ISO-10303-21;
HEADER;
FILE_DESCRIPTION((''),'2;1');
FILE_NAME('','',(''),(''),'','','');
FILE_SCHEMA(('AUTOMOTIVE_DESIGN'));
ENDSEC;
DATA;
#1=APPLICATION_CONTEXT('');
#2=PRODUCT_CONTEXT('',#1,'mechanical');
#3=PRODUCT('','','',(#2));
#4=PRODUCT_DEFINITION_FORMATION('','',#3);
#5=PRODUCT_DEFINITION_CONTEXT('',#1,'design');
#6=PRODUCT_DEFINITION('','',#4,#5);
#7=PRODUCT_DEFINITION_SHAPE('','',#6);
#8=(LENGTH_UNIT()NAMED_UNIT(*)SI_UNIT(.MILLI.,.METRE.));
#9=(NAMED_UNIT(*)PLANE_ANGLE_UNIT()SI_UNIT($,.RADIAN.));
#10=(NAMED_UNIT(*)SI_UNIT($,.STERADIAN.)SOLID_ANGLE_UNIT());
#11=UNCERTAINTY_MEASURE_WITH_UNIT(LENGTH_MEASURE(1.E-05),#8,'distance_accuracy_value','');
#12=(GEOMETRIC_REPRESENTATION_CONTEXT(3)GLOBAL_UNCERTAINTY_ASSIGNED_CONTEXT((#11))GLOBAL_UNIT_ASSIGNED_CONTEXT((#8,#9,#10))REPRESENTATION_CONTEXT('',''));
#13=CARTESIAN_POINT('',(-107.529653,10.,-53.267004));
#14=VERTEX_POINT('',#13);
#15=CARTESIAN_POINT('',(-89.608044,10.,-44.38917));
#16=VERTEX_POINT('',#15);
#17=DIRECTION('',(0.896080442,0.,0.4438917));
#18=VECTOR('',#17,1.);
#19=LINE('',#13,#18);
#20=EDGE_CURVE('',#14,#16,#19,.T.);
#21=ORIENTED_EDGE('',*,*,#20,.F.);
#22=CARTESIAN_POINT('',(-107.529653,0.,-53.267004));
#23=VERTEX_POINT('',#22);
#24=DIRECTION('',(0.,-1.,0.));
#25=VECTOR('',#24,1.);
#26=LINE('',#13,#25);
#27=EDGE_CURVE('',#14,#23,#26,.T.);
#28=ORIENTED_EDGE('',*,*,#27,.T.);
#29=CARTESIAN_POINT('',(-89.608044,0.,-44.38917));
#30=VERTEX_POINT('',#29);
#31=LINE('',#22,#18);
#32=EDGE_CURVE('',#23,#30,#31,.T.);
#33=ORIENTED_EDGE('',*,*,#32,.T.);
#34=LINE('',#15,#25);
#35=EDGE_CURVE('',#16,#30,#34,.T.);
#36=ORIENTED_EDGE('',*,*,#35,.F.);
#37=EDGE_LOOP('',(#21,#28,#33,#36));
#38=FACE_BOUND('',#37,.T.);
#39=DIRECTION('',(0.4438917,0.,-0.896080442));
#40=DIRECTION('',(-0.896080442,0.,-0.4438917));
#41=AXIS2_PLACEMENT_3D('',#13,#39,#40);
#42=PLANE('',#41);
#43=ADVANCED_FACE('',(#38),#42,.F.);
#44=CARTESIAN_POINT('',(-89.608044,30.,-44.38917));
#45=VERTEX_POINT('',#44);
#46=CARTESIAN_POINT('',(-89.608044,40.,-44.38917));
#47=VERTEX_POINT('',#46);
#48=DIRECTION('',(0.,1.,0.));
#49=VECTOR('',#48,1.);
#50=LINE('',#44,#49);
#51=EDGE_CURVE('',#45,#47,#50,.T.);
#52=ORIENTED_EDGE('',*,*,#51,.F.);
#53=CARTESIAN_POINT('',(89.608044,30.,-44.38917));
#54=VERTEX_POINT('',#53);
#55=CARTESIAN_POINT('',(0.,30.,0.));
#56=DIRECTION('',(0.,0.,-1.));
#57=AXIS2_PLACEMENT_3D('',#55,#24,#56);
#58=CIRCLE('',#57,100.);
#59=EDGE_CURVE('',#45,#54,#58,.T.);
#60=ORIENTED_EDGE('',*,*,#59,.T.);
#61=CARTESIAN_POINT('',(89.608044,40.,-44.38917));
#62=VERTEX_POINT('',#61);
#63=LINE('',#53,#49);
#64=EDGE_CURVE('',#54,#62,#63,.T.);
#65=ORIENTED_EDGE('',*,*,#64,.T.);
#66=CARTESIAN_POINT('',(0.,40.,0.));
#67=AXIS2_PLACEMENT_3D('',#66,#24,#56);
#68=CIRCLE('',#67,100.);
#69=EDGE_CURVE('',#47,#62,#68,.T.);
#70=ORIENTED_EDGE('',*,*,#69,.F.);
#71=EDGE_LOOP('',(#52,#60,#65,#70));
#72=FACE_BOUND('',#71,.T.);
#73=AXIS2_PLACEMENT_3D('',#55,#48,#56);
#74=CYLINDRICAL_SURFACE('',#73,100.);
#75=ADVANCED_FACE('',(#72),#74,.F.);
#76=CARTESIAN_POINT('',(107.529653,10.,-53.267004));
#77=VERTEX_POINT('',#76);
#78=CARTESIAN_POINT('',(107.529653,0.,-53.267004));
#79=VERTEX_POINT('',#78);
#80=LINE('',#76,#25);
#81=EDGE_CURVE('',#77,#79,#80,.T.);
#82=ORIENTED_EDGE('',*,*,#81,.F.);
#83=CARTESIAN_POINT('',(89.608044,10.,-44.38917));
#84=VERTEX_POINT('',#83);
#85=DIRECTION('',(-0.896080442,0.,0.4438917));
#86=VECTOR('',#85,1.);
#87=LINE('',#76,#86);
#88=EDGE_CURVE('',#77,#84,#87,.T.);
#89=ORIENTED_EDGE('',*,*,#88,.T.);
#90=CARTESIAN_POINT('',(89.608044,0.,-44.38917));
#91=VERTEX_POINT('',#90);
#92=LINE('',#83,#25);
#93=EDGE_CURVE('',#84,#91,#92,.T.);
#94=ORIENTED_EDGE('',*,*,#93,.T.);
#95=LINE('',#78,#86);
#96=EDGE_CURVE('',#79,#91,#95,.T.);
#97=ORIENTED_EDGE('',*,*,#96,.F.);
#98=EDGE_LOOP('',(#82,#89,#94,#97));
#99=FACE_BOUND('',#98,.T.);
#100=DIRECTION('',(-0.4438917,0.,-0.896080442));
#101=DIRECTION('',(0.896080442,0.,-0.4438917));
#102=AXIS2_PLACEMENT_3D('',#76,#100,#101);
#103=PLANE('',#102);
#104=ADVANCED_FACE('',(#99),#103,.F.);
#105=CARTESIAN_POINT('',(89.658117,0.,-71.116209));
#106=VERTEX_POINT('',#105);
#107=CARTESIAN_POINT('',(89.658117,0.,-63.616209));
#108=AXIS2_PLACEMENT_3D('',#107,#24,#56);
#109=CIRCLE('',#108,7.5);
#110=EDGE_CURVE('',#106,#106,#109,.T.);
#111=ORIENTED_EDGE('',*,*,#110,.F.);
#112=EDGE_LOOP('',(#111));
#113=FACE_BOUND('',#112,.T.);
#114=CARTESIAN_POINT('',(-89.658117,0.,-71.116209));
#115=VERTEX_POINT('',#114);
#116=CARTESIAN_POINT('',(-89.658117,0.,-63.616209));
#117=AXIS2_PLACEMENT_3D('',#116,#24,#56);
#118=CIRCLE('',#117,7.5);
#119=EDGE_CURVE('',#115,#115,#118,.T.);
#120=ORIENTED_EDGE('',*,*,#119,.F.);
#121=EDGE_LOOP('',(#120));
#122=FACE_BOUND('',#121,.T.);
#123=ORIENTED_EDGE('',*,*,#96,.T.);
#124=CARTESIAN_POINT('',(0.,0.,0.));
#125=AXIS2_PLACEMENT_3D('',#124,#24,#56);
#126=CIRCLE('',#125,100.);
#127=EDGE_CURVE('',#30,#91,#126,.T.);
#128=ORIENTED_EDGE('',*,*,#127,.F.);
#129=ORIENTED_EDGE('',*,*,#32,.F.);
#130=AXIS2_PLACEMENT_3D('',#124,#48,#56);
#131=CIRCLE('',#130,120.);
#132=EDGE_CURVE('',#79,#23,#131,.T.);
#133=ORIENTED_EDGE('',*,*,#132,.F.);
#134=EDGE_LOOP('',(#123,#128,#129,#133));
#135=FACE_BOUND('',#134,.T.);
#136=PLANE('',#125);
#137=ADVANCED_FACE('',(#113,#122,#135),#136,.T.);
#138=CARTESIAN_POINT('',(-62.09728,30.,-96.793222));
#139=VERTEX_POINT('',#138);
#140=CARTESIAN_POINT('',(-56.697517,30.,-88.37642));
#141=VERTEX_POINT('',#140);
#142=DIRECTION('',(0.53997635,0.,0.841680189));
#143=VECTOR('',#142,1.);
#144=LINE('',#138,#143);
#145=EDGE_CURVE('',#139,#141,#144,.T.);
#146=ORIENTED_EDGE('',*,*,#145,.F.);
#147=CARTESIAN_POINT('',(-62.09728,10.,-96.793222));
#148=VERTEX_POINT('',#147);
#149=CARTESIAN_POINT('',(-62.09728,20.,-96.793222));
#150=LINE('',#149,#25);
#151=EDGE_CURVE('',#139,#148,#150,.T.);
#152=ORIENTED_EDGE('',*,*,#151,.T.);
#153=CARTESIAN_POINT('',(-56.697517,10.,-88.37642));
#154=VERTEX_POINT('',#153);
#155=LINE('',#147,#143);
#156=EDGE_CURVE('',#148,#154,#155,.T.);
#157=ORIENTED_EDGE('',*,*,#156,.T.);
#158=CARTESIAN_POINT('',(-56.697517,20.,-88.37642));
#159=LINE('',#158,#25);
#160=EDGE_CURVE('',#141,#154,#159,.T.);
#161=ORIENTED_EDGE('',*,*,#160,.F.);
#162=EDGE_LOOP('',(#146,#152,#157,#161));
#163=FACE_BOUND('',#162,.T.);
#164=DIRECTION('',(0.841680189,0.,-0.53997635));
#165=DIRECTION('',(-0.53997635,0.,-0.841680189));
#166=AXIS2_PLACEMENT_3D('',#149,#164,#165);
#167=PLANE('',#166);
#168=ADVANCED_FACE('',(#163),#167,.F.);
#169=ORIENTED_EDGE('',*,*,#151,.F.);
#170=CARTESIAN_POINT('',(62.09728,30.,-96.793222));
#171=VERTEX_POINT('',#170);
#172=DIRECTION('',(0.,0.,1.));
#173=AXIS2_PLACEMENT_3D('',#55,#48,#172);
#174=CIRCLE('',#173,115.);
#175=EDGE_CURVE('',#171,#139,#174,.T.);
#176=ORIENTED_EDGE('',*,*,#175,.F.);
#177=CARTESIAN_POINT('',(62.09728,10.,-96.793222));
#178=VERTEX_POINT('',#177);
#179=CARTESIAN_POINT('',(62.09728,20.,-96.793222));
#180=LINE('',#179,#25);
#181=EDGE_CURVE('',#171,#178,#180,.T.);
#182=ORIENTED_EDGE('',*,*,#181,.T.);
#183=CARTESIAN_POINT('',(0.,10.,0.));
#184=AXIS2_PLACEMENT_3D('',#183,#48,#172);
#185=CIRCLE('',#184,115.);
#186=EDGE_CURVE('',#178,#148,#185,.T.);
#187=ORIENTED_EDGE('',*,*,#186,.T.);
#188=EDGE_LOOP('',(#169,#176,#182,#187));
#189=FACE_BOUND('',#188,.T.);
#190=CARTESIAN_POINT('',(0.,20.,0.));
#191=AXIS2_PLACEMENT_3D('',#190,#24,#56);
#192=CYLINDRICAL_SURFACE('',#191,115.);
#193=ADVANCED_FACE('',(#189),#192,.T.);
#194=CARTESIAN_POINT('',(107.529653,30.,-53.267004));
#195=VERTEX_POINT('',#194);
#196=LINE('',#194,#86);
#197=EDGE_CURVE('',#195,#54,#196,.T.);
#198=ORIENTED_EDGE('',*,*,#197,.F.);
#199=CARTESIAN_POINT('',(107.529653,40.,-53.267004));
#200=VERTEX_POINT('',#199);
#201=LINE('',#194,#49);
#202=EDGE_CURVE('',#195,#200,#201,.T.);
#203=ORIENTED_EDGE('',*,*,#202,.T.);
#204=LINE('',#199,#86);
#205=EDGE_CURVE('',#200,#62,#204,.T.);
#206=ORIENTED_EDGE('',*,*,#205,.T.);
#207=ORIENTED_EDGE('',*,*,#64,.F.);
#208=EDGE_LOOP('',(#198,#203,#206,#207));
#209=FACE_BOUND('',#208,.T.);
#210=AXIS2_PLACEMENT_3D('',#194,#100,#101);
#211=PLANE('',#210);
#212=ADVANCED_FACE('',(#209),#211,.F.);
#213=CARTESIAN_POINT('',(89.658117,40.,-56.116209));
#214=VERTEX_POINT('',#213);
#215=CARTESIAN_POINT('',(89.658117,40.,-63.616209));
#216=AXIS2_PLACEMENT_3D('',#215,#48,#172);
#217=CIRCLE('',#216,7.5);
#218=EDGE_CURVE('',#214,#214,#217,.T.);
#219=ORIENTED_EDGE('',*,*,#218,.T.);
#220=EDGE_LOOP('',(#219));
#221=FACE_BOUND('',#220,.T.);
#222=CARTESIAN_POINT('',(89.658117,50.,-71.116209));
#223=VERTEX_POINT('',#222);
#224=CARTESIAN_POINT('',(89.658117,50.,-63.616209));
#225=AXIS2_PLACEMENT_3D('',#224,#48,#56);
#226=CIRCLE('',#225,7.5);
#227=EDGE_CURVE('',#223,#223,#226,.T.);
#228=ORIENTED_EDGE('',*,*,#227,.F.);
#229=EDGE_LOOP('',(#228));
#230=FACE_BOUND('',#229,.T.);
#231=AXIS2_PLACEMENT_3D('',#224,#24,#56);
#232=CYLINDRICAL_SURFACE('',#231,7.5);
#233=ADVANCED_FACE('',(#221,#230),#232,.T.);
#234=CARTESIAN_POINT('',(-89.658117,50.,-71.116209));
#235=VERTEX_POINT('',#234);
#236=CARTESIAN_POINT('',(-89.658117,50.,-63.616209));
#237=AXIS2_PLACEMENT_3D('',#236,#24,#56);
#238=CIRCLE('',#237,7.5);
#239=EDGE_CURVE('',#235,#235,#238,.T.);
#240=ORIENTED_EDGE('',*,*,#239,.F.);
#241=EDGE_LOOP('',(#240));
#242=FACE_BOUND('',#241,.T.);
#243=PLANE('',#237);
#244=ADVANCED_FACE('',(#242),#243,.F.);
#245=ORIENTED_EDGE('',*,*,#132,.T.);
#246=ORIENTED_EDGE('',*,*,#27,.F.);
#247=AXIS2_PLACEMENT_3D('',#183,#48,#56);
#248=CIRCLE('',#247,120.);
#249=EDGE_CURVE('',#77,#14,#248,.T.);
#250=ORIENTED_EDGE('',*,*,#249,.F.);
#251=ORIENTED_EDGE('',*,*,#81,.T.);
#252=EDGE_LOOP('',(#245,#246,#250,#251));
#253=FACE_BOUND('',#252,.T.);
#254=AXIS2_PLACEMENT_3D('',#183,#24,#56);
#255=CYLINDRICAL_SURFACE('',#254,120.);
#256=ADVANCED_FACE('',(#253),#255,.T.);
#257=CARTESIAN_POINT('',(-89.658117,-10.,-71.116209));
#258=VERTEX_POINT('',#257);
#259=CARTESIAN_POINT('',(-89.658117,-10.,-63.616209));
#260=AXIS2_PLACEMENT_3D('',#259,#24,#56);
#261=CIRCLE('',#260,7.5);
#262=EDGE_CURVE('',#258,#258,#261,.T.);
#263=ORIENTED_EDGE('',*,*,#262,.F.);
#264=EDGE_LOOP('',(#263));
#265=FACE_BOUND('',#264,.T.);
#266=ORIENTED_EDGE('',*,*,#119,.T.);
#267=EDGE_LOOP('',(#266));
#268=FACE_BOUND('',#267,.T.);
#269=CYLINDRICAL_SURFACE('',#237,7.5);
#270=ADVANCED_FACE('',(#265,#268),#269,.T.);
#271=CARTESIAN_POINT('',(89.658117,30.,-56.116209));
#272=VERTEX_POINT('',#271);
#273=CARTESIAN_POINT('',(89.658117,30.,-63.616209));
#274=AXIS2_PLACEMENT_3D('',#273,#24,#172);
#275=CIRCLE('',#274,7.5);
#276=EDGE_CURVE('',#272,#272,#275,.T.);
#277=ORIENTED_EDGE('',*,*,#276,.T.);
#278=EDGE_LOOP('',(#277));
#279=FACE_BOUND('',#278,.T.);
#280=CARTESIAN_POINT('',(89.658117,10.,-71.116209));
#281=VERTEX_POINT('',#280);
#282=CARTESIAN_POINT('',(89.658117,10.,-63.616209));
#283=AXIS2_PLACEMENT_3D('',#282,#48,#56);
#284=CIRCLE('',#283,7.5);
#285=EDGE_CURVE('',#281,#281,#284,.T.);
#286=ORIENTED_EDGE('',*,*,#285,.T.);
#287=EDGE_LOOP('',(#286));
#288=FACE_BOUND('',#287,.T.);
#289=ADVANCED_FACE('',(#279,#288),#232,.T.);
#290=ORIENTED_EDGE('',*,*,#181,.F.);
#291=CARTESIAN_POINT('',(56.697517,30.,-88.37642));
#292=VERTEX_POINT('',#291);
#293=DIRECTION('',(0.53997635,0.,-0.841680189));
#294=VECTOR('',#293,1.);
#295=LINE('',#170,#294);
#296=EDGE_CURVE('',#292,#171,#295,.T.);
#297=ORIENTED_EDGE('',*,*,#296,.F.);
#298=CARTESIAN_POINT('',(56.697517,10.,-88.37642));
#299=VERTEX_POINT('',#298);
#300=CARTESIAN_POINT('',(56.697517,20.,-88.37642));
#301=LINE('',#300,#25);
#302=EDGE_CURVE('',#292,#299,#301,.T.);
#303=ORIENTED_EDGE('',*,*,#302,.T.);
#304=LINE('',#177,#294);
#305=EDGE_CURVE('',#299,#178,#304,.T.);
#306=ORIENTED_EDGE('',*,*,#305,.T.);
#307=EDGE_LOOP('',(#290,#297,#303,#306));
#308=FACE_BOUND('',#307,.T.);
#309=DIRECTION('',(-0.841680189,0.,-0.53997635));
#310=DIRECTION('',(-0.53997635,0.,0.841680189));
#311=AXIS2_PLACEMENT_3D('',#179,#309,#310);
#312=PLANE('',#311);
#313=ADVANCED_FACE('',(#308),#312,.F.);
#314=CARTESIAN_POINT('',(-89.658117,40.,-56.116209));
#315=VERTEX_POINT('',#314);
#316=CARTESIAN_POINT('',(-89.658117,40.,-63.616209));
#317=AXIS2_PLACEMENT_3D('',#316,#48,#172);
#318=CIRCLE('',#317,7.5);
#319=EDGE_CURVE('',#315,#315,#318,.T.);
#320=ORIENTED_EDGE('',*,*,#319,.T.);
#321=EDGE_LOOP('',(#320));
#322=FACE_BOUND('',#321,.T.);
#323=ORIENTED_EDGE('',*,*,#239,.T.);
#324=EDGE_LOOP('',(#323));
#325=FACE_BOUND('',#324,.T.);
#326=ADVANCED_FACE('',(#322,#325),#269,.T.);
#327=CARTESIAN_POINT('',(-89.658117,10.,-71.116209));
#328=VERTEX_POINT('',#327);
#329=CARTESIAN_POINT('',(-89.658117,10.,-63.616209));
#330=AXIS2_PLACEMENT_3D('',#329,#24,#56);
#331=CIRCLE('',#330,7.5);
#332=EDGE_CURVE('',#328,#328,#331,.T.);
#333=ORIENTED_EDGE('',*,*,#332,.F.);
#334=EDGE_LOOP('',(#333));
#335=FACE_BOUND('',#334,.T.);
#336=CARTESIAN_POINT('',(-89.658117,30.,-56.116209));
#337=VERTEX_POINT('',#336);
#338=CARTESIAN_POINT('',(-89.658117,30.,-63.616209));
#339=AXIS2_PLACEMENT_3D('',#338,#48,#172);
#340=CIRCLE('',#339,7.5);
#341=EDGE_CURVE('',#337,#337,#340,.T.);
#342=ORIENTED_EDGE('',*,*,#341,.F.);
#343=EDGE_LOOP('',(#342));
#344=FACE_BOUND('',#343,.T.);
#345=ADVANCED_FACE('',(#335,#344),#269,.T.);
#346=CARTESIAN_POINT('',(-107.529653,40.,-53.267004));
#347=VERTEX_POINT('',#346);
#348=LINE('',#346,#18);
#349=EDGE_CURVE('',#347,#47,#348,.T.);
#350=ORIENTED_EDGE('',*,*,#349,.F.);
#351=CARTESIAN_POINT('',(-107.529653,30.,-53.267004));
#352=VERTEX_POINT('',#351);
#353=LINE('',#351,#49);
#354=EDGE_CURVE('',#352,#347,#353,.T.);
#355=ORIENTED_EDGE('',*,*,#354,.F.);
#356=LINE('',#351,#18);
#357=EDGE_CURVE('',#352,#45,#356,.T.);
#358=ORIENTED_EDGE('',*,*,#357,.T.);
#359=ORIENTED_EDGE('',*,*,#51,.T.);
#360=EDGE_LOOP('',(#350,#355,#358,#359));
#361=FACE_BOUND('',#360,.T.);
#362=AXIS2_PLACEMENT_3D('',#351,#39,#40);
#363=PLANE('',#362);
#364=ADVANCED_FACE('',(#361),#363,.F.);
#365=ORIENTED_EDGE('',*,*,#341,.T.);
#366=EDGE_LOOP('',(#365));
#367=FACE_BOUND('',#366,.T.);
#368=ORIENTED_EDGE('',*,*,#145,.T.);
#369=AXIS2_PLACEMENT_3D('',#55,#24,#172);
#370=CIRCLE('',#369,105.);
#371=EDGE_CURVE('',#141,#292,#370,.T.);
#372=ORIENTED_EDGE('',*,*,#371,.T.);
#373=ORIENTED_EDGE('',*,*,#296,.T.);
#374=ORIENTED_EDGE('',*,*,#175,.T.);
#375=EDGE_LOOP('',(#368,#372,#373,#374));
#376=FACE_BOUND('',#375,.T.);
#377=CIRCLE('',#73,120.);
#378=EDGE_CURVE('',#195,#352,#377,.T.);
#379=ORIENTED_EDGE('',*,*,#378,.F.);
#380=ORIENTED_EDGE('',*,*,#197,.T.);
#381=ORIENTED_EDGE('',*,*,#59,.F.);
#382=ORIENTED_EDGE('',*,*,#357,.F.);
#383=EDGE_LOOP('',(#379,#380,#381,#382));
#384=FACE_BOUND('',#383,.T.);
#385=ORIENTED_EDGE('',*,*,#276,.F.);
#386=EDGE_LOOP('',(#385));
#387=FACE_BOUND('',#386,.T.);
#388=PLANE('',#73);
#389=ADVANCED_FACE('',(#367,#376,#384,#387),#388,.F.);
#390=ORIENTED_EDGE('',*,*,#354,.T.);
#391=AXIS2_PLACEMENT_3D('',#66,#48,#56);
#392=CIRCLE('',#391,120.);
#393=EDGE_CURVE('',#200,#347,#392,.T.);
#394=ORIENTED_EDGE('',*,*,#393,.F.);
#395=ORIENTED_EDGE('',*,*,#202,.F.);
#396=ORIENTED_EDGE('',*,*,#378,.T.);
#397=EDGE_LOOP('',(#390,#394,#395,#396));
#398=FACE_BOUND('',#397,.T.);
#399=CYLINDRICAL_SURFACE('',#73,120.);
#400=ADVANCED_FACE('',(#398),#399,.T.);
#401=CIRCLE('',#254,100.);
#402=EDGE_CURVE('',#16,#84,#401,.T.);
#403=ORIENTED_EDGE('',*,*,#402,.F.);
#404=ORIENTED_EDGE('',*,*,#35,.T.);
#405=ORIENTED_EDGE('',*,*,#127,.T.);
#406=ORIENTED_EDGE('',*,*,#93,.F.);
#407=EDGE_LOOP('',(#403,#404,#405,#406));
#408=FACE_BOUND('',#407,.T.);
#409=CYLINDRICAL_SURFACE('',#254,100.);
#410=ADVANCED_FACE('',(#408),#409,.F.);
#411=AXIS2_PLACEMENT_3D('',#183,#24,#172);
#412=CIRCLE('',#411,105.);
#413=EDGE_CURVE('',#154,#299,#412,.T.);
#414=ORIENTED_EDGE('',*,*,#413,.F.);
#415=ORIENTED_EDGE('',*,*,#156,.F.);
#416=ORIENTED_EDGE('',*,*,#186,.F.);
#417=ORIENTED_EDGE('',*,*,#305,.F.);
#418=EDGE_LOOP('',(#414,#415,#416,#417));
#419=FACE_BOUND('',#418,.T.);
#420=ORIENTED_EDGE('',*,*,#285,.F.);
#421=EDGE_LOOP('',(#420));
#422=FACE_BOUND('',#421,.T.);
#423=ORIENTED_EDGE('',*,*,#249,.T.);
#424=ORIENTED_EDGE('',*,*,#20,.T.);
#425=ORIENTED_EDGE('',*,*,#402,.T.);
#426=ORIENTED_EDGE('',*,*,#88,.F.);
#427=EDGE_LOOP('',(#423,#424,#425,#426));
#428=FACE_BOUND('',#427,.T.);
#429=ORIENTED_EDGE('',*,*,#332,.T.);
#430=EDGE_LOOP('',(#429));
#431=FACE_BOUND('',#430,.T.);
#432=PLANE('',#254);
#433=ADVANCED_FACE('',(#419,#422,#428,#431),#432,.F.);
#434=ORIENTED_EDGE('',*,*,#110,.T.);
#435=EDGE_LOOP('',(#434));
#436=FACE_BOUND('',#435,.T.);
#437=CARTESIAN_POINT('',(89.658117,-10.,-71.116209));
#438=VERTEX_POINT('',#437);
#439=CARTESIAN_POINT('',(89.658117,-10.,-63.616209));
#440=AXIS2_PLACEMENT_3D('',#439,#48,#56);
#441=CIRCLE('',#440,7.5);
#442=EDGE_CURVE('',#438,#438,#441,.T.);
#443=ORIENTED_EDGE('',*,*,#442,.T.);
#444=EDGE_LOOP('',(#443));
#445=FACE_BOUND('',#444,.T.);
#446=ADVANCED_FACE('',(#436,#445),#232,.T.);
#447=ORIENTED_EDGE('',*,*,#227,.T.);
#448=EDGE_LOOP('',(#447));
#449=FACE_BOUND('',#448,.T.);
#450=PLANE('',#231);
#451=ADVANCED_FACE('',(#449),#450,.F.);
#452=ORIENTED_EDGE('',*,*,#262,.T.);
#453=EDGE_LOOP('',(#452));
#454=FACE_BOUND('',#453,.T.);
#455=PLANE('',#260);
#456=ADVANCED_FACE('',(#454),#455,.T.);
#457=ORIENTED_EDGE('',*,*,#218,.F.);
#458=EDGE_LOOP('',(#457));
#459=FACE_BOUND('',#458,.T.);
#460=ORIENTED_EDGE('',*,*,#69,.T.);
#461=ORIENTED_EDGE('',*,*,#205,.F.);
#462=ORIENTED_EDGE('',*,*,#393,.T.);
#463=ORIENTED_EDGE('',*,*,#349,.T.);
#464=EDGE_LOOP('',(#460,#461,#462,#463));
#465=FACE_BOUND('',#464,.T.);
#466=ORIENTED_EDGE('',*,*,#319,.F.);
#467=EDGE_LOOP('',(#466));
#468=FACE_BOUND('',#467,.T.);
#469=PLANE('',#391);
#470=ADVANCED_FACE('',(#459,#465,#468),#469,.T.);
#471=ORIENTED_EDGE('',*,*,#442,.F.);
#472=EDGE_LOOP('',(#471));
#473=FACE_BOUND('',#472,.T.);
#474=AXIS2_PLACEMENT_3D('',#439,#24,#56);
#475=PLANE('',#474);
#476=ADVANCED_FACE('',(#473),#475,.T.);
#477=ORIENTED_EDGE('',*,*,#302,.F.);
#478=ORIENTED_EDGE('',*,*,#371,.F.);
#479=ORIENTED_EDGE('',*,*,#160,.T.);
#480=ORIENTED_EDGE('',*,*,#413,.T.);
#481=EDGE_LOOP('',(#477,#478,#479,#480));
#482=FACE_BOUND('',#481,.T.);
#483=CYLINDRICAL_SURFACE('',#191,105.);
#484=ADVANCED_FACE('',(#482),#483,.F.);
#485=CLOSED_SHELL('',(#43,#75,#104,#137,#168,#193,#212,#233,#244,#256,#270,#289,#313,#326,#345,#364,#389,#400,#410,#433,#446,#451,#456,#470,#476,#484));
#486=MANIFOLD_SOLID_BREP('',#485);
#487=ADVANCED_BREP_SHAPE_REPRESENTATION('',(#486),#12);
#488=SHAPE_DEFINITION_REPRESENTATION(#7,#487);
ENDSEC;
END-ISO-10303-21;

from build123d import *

# Parameters (mm, degrees)
BOSS_EXTRUDE1_DEPTH      = 10
BOSS_EXTRUDE2_DEPTH      = 10
BOSS_EXTRUDE3_DEPTH      = 10
BOSS_EXTRUDE3_DEPTH_BACK = 50
SKETCH3_R                = 7.5


with BuildPart() as part:
    # Sketch1 → Boss-Extrude1 (new body)
    with BuildSketch(Plane(origin=(0, 0, 0), x_dir=(1, 0, 0), z_dir=(0, 1, 0))):
        with BuildLine():
            Line((-107.529653027, 53.267004046), (-89.608044189, 44.389170038))
            ThreePointArc((-89.608044189, 44.389170038), (-0.97130255, 99.995282746), (88.728870826, 46.121442756))
            Line((88.728870826, 46.121442756), (106.474644991, 55.345731307))
            ThreePointArc((106.474644991, 55.345731307), (-1.16556306, 119.994339295), (-107.529653027, 53.267004046))
        make_face()
    extrude(amount=BOSS_EXTRUDE1_DEPTH)

    # Sketch2 → Boss-Extrude2 (add)
    with BuildSketch(Plane(origin=(0, 10, 0), x_dir=(1, 0, 0), z_dir=(0, 1, 0))):
        with BuildLine():
            Line((-62.097280291, 96.793221769), (-56.697516787, 88.376419876))
            ThreePointArc((-56.697516787, 88.376419876), (0, 105), (56.697516787, 88.376419876))
            Line((56.697516787, 88.376419876), (62.097280291, 96.793221769))
            ThreePointArc((62.097280291, 96.793221769), (0, 115), (-62.097280291, 96.793221769))
        make_face()
    extrude(amount=BOSS_EXTRUDE2_DEPTH)

    # Mirror1: part across plane


with BuildPart() as part_1:
    add(part.part)
    add(part.part.mirror(Plane.ZX.offset(20)))

    # Sketch3 → Boss-Extrude3 (add, two sides: drawn at the far end of the back side and taken through both)
    with BuildSketch(Plane.XZ.offset(-BOSS_EXTRUDE3_DEPTH_BACK)):
        with Locations(Location((-89.658117345, -63.616209095, 0), (0, 0, 270))):
            Circle(SKETCH3_R)
    extrude(amount=BOSS_EXTRUDE3_DEPTH + BOSS_EXTRUDE3_DEPTH_BACK)

    # Mirror2: part across plane


with BuildPart() as part_2:
    add(part_1.part)
    add(part_1.part.mirror(Plane(origin=(0, 0, 0), x_dir=(0, 0, 1), z_dir=(1, 0, 0))))


solid = part_2.part
